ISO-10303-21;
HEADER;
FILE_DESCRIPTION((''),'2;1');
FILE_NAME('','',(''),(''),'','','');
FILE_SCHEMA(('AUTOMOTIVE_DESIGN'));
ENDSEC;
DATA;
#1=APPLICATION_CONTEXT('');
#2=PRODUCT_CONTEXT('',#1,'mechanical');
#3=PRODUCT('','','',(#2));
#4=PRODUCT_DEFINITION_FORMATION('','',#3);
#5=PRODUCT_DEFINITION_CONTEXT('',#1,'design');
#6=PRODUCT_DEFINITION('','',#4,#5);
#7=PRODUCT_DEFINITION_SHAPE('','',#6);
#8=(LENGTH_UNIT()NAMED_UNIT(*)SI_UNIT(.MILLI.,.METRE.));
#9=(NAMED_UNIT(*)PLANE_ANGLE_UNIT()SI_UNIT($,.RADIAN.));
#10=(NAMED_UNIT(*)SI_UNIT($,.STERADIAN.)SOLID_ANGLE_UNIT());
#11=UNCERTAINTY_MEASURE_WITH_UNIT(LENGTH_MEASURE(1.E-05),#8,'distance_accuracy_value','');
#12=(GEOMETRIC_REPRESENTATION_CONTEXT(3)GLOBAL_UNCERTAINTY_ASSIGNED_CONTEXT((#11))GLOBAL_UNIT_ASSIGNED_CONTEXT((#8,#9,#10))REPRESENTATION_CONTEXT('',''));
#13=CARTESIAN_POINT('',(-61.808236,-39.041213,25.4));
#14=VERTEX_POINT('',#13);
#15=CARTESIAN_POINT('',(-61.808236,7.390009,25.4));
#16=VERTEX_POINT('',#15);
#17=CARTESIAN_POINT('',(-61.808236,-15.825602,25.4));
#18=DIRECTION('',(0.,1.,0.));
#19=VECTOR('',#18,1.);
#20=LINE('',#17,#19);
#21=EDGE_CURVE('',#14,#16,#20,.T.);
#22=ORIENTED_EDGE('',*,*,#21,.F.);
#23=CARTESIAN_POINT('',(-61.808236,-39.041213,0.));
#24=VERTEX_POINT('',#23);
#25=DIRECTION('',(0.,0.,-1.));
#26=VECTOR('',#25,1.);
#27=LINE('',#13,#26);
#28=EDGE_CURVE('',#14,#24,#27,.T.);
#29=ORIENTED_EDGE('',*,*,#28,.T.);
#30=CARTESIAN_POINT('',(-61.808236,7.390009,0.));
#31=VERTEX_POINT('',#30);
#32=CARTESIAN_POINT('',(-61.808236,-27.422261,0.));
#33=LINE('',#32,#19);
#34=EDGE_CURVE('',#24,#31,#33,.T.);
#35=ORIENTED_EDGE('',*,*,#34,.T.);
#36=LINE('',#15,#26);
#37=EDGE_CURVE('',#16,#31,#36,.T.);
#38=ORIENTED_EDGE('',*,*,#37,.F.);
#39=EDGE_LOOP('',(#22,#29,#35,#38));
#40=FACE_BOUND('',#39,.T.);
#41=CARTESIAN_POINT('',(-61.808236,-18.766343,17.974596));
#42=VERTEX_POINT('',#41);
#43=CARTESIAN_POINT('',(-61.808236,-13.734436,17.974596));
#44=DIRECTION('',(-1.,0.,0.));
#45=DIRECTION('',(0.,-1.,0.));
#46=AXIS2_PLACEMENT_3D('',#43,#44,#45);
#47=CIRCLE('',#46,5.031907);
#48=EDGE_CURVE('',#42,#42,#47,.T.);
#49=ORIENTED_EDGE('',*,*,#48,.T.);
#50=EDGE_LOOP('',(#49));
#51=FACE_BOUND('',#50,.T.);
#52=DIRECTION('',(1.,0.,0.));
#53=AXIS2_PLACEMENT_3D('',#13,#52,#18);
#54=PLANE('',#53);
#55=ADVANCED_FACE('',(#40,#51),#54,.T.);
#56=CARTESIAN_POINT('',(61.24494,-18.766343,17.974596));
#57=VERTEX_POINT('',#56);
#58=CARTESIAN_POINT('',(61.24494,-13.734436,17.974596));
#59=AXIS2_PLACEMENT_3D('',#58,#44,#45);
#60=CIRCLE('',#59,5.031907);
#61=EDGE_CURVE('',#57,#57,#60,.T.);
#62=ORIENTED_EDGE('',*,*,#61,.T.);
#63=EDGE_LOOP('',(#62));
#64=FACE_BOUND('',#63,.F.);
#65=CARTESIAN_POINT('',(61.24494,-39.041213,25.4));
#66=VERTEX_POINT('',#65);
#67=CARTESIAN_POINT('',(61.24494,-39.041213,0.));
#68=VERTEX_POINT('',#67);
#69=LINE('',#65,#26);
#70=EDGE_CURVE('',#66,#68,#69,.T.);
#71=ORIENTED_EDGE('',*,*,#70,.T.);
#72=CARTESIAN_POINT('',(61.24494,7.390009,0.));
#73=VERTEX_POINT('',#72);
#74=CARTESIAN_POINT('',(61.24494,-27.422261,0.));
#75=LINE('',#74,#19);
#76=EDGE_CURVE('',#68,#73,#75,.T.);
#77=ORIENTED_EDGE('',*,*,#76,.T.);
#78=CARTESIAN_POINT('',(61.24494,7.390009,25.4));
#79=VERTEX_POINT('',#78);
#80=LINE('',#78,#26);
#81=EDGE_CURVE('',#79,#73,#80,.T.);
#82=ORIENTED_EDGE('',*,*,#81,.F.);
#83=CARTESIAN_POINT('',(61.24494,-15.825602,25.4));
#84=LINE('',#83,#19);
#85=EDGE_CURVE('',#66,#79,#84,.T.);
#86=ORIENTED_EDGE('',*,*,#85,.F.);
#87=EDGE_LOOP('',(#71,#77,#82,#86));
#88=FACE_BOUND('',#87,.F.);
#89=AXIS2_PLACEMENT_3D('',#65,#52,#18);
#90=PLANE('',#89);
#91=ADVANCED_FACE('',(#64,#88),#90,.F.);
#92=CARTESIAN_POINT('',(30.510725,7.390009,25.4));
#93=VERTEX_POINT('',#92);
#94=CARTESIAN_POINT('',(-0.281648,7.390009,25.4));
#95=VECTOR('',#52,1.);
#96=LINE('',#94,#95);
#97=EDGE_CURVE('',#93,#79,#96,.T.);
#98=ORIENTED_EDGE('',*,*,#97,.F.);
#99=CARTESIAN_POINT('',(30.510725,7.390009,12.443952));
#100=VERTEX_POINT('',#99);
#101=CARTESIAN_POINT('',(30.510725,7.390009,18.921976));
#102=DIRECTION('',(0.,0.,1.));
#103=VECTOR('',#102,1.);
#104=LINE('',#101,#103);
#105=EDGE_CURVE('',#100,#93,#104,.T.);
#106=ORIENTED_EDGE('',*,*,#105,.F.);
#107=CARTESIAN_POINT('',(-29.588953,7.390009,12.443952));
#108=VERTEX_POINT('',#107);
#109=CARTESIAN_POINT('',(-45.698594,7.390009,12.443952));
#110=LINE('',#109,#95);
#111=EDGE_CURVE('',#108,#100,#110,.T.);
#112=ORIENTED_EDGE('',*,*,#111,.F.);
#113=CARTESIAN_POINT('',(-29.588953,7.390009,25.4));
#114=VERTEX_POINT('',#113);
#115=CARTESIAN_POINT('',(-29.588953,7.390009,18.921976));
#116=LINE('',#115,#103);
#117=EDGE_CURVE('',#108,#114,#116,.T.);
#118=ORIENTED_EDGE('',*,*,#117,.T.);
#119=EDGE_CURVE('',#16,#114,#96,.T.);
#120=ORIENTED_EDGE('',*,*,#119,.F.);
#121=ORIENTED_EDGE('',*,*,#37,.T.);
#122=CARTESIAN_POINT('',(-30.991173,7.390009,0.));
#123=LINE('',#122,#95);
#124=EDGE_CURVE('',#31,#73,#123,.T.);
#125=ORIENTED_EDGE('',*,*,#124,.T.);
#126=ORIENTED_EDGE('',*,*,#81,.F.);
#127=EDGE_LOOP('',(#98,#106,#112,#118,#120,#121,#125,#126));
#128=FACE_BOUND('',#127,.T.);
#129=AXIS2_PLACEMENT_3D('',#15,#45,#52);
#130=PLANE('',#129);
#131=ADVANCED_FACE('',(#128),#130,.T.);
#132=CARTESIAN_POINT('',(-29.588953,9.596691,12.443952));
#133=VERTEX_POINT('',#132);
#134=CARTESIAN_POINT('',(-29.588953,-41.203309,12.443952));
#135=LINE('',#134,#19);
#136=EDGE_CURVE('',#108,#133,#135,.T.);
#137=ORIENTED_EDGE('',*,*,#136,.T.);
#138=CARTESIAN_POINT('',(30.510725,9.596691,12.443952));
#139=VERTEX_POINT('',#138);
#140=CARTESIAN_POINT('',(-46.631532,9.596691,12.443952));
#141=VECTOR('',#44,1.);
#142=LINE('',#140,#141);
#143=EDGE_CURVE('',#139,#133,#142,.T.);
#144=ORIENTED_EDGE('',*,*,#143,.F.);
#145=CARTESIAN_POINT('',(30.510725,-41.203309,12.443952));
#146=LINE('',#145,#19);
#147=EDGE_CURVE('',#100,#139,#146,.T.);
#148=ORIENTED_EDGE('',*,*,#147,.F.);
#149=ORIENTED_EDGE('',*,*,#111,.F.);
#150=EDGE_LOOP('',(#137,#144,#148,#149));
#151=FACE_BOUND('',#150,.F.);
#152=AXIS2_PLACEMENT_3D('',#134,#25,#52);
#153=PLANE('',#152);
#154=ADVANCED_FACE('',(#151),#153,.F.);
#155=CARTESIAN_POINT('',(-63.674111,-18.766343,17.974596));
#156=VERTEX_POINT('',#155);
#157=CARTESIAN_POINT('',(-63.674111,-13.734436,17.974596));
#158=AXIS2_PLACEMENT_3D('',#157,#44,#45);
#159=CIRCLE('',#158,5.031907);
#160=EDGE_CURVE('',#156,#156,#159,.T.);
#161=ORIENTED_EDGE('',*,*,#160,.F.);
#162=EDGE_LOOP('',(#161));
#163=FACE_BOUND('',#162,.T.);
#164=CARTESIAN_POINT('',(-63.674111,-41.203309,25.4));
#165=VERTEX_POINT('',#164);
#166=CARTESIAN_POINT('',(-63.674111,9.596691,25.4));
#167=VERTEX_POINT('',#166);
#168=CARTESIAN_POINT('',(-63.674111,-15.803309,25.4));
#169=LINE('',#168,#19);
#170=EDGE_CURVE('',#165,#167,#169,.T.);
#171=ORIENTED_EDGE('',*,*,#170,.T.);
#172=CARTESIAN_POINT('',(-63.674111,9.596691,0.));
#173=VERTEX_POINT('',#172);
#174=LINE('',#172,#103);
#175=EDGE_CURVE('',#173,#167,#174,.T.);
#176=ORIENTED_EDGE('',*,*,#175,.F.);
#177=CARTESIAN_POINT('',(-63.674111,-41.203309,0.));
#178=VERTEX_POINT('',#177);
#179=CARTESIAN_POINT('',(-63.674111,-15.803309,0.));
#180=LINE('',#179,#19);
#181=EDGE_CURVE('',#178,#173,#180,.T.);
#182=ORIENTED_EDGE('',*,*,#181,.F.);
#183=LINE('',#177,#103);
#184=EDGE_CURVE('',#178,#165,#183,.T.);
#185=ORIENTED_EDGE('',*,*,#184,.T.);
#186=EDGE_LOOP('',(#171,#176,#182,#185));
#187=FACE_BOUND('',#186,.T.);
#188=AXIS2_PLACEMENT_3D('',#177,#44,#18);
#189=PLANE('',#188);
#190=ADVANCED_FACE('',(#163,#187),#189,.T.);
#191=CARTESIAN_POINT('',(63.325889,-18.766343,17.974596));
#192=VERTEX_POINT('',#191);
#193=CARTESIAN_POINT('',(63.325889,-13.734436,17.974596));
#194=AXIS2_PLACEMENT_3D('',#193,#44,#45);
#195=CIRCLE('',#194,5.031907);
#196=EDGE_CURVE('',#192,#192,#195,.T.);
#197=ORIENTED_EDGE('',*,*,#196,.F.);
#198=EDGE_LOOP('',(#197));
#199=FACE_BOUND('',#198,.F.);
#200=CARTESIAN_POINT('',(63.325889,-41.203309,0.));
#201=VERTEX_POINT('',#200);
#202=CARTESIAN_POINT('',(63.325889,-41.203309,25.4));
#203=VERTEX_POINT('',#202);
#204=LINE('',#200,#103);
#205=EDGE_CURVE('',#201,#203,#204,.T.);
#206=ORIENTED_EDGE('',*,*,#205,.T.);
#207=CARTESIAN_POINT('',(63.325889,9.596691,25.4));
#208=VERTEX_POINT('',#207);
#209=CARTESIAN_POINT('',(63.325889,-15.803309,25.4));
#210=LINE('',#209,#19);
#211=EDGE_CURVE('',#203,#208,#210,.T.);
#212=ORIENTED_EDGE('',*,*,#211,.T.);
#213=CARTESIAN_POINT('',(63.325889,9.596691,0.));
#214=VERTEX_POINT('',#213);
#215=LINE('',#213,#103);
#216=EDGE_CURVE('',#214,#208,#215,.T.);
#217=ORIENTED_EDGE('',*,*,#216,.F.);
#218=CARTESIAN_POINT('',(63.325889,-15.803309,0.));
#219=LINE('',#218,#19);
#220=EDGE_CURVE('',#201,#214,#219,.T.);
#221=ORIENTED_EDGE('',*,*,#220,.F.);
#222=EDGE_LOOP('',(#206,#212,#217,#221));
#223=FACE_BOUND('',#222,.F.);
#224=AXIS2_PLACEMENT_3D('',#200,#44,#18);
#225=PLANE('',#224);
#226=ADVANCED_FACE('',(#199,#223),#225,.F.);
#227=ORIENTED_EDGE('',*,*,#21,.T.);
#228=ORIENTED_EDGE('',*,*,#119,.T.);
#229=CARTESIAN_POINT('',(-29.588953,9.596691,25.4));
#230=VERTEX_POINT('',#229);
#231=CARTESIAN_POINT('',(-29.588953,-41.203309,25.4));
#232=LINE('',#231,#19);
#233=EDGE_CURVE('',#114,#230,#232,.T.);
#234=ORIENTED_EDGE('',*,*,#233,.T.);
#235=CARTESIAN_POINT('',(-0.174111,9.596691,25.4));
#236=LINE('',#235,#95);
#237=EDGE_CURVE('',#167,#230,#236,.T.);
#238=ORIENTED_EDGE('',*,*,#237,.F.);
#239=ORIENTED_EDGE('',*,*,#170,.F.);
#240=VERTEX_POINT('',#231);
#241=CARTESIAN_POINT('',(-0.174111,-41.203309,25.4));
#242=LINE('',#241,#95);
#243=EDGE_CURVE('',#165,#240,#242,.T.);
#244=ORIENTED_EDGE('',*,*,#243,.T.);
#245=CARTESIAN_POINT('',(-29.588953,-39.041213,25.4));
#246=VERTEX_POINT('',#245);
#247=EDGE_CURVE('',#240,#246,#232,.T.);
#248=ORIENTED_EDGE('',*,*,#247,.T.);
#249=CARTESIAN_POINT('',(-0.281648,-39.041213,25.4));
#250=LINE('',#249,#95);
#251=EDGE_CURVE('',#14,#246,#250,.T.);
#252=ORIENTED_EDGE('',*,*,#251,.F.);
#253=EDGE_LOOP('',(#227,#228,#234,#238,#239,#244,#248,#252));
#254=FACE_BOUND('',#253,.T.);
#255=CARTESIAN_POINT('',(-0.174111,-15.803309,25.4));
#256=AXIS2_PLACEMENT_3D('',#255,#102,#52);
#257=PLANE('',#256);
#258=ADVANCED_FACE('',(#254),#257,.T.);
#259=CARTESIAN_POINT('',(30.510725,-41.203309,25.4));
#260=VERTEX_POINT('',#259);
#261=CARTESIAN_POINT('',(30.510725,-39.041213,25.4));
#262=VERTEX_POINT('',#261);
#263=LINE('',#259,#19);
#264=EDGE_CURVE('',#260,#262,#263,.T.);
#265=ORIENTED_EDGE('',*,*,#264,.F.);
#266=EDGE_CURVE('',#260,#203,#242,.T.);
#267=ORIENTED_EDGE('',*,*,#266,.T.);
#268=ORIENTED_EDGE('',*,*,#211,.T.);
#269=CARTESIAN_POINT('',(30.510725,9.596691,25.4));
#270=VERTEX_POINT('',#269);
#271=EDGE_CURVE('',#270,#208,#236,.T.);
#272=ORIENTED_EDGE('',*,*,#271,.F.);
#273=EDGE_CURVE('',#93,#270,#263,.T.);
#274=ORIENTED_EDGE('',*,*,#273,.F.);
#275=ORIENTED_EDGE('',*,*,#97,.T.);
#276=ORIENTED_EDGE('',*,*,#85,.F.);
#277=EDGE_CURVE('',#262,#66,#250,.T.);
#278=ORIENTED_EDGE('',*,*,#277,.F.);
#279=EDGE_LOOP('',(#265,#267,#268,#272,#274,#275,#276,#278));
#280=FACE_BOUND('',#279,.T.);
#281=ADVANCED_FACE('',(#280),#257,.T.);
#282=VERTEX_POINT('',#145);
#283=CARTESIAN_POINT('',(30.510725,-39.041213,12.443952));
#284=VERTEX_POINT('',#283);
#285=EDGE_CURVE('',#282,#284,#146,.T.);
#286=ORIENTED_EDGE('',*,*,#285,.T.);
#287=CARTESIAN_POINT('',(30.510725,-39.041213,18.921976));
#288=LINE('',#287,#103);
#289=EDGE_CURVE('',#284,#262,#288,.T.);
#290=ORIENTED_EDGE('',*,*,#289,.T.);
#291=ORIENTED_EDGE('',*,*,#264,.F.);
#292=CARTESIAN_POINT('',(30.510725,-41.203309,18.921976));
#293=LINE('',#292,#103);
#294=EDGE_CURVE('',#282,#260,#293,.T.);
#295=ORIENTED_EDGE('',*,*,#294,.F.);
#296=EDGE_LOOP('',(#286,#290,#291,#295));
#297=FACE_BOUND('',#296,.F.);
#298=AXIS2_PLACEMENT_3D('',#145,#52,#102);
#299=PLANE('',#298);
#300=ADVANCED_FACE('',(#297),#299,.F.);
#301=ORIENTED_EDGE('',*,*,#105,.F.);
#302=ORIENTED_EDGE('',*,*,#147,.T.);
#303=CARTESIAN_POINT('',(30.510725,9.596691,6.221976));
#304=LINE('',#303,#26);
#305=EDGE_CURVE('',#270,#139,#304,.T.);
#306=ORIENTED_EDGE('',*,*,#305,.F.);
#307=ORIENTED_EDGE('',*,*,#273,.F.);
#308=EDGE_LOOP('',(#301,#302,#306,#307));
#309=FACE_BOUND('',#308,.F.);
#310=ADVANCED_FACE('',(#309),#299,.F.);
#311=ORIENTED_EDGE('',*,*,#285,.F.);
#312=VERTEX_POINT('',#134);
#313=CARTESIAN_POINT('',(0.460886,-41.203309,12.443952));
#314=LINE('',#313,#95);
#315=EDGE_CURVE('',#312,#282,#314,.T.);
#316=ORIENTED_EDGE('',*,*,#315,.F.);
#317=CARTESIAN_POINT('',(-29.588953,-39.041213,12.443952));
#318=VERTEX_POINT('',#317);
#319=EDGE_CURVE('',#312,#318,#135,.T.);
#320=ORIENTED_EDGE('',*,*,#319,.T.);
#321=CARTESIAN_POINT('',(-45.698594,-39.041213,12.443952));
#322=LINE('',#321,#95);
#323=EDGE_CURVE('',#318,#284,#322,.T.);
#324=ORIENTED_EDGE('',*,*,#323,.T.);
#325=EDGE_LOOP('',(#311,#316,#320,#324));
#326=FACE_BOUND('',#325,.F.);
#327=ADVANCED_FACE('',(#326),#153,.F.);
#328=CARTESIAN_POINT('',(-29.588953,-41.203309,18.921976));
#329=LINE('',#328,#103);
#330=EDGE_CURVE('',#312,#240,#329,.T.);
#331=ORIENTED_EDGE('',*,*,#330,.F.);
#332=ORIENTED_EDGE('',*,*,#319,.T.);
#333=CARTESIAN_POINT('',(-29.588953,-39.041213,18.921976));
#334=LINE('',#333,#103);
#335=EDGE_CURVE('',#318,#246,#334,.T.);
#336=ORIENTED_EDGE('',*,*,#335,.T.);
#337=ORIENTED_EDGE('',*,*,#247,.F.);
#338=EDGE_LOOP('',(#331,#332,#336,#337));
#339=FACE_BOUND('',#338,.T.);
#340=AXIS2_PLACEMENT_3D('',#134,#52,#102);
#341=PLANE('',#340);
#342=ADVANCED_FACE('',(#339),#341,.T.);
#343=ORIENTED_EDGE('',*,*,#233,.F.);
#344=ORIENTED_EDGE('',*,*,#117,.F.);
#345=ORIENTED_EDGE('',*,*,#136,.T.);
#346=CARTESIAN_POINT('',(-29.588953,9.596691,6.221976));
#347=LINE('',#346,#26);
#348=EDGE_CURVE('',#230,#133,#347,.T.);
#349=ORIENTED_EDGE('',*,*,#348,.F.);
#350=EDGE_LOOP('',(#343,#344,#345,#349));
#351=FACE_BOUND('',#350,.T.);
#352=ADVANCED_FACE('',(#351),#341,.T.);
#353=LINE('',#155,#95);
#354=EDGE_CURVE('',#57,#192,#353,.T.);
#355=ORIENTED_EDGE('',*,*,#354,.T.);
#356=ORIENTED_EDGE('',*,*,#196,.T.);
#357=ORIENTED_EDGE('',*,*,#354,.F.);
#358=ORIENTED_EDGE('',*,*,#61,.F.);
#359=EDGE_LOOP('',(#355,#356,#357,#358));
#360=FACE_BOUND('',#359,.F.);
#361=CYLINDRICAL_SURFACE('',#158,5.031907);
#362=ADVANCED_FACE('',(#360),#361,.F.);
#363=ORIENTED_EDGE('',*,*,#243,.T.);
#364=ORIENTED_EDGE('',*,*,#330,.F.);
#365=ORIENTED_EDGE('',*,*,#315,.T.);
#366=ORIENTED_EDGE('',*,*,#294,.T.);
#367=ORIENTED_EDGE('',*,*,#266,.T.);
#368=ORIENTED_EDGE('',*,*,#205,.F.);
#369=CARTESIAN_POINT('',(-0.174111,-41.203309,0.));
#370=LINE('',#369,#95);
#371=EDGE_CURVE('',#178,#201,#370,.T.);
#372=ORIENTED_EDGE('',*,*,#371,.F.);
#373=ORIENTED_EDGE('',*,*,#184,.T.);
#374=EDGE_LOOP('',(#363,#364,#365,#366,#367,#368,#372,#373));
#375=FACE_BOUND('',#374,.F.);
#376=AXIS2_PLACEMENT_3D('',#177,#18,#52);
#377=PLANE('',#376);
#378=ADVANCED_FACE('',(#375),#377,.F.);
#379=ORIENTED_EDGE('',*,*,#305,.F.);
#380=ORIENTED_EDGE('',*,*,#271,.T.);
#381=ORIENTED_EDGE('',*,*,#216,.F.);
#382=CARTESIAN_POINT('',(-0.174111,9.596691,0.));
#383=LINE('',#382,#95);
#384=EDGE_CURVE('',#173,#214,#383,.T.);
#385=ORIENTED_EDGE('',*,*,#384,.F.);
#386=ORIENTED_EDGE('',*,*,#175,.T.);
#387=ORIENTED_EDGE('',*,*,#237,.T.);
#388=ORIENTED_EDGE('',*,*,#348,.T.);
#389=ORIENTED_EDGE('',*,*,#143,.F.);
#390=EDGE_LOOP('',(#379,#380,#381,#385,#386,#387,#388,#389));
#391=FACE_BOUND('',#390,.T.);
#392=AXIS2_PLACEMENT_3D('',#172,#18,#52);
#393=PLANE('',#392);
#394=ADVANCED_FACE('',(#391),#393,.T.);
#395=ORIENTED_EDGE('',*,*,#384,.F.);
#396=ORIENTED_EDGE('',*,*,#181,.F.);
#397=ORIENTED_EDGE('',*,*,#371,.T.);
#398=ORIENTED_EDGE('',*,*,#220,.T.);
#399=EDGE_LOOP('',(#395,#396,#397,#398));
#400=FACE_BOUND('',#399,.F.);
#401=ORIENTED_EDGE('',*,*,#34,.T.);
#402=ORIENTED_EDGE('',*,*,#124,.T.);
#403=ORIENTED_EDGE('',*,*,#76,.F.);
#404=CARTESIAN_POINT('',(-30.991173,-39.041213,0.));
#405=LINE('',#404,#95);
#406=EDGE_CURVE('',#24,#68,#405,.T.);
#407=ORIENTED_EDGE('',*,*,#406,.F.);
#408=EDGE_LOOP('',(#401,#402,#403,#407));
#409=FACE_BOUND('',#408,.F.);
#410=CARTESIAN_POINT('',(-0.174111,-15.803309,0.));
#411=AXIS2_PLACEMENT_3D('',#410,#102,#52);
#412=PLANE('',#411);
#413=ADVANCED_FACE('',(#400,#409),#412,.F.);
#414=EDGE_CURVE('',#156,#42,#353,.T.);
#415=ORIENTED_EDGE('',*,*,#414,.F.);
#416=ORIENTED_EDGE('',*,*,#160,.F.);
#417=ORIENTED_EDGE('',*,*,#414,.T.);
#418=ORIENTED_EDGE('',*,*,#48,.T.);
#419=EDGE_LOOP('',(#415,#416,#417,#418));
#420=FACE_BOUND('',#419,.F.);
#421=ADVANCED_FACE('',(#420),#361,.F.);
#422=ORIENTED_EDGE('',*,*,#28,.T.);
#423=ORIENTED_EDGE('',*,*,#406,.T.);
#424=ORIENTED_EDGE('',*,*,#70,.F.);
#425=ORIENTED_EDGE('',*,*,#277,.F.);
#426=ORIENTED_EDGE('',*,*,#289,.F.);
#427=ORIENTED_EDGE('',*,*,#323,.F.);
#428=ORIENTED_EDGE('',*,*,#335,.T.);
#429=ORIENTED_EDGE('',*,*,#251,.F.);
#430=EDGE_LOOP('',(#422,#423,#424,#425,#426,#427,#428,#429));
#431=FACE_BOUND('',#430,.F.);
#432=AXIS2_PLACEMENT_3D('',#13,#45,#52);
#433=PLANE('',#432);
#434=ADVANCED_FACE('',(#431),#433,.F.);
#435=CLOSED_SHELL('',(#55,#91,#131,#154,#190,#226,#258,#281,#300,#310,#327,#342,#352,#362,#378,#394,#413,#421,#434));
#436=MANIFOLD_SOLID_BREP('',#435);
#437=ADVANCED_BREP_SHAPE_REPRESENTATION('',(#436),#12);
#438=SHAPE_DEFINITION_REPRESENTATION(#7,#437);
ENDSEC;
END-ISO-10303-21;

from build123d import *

# Parameters (mm, degrees)
F0_W     = 127
F0_H     = 50.8
F1_DEPTH = 25.4
F2_W     = 123.053175
F2_H     = 46.431223
F3_DEPTH = 44.45
F4_R     = 5.031907
F5_DEPTH = 156.464
F6_W     = 60.099678
F6_H     = 12.956048
F7_DEPTH = 78.232


with BuildPart() as f1:
    # F0 (on Top) → F1 (new body)
    with BuildSketch(Plane.XY):
        with Locations((-0.174111, -15.803309)):
            Rectangle(F0_W, F0_H)
    extrude(amount=F1_DEPTH)

    # F2 (on face) → F3 (cut)
    with BuildSketch(Plane.XY.offset(25.4)):
        with Locations((-0.281648, -15.825602)):
            Rectangle(F2_W, F2_H)
    extrude(amount=-F3_DEPTH, mode=Mode.SUBTRACT)

    # F4 (on face) → F5 (cut)
    with BuildSketch(Plane(origin=(-63.674111, 0, 0), x_dir=(0, -1, 0), z_dir=(-1, 0, 0))):
        with Locations((13.734436, 17.974596)):
            Circle(F4_R)
    extrude(amount=-F5_DEPTH, mode=Mode.SUBTRACT)

    # F6 (on face) → F7 (cut)
    with BuildSketch(Plane.XZ.offset(41.203309)):
        with Locations((0.460886, 18.921976)):
            Rectangle(F6_W, F6_H)
    extrude(amount=-F7_DEPTH, mode=Mode.SUBTRACT)


solid = f1.part
